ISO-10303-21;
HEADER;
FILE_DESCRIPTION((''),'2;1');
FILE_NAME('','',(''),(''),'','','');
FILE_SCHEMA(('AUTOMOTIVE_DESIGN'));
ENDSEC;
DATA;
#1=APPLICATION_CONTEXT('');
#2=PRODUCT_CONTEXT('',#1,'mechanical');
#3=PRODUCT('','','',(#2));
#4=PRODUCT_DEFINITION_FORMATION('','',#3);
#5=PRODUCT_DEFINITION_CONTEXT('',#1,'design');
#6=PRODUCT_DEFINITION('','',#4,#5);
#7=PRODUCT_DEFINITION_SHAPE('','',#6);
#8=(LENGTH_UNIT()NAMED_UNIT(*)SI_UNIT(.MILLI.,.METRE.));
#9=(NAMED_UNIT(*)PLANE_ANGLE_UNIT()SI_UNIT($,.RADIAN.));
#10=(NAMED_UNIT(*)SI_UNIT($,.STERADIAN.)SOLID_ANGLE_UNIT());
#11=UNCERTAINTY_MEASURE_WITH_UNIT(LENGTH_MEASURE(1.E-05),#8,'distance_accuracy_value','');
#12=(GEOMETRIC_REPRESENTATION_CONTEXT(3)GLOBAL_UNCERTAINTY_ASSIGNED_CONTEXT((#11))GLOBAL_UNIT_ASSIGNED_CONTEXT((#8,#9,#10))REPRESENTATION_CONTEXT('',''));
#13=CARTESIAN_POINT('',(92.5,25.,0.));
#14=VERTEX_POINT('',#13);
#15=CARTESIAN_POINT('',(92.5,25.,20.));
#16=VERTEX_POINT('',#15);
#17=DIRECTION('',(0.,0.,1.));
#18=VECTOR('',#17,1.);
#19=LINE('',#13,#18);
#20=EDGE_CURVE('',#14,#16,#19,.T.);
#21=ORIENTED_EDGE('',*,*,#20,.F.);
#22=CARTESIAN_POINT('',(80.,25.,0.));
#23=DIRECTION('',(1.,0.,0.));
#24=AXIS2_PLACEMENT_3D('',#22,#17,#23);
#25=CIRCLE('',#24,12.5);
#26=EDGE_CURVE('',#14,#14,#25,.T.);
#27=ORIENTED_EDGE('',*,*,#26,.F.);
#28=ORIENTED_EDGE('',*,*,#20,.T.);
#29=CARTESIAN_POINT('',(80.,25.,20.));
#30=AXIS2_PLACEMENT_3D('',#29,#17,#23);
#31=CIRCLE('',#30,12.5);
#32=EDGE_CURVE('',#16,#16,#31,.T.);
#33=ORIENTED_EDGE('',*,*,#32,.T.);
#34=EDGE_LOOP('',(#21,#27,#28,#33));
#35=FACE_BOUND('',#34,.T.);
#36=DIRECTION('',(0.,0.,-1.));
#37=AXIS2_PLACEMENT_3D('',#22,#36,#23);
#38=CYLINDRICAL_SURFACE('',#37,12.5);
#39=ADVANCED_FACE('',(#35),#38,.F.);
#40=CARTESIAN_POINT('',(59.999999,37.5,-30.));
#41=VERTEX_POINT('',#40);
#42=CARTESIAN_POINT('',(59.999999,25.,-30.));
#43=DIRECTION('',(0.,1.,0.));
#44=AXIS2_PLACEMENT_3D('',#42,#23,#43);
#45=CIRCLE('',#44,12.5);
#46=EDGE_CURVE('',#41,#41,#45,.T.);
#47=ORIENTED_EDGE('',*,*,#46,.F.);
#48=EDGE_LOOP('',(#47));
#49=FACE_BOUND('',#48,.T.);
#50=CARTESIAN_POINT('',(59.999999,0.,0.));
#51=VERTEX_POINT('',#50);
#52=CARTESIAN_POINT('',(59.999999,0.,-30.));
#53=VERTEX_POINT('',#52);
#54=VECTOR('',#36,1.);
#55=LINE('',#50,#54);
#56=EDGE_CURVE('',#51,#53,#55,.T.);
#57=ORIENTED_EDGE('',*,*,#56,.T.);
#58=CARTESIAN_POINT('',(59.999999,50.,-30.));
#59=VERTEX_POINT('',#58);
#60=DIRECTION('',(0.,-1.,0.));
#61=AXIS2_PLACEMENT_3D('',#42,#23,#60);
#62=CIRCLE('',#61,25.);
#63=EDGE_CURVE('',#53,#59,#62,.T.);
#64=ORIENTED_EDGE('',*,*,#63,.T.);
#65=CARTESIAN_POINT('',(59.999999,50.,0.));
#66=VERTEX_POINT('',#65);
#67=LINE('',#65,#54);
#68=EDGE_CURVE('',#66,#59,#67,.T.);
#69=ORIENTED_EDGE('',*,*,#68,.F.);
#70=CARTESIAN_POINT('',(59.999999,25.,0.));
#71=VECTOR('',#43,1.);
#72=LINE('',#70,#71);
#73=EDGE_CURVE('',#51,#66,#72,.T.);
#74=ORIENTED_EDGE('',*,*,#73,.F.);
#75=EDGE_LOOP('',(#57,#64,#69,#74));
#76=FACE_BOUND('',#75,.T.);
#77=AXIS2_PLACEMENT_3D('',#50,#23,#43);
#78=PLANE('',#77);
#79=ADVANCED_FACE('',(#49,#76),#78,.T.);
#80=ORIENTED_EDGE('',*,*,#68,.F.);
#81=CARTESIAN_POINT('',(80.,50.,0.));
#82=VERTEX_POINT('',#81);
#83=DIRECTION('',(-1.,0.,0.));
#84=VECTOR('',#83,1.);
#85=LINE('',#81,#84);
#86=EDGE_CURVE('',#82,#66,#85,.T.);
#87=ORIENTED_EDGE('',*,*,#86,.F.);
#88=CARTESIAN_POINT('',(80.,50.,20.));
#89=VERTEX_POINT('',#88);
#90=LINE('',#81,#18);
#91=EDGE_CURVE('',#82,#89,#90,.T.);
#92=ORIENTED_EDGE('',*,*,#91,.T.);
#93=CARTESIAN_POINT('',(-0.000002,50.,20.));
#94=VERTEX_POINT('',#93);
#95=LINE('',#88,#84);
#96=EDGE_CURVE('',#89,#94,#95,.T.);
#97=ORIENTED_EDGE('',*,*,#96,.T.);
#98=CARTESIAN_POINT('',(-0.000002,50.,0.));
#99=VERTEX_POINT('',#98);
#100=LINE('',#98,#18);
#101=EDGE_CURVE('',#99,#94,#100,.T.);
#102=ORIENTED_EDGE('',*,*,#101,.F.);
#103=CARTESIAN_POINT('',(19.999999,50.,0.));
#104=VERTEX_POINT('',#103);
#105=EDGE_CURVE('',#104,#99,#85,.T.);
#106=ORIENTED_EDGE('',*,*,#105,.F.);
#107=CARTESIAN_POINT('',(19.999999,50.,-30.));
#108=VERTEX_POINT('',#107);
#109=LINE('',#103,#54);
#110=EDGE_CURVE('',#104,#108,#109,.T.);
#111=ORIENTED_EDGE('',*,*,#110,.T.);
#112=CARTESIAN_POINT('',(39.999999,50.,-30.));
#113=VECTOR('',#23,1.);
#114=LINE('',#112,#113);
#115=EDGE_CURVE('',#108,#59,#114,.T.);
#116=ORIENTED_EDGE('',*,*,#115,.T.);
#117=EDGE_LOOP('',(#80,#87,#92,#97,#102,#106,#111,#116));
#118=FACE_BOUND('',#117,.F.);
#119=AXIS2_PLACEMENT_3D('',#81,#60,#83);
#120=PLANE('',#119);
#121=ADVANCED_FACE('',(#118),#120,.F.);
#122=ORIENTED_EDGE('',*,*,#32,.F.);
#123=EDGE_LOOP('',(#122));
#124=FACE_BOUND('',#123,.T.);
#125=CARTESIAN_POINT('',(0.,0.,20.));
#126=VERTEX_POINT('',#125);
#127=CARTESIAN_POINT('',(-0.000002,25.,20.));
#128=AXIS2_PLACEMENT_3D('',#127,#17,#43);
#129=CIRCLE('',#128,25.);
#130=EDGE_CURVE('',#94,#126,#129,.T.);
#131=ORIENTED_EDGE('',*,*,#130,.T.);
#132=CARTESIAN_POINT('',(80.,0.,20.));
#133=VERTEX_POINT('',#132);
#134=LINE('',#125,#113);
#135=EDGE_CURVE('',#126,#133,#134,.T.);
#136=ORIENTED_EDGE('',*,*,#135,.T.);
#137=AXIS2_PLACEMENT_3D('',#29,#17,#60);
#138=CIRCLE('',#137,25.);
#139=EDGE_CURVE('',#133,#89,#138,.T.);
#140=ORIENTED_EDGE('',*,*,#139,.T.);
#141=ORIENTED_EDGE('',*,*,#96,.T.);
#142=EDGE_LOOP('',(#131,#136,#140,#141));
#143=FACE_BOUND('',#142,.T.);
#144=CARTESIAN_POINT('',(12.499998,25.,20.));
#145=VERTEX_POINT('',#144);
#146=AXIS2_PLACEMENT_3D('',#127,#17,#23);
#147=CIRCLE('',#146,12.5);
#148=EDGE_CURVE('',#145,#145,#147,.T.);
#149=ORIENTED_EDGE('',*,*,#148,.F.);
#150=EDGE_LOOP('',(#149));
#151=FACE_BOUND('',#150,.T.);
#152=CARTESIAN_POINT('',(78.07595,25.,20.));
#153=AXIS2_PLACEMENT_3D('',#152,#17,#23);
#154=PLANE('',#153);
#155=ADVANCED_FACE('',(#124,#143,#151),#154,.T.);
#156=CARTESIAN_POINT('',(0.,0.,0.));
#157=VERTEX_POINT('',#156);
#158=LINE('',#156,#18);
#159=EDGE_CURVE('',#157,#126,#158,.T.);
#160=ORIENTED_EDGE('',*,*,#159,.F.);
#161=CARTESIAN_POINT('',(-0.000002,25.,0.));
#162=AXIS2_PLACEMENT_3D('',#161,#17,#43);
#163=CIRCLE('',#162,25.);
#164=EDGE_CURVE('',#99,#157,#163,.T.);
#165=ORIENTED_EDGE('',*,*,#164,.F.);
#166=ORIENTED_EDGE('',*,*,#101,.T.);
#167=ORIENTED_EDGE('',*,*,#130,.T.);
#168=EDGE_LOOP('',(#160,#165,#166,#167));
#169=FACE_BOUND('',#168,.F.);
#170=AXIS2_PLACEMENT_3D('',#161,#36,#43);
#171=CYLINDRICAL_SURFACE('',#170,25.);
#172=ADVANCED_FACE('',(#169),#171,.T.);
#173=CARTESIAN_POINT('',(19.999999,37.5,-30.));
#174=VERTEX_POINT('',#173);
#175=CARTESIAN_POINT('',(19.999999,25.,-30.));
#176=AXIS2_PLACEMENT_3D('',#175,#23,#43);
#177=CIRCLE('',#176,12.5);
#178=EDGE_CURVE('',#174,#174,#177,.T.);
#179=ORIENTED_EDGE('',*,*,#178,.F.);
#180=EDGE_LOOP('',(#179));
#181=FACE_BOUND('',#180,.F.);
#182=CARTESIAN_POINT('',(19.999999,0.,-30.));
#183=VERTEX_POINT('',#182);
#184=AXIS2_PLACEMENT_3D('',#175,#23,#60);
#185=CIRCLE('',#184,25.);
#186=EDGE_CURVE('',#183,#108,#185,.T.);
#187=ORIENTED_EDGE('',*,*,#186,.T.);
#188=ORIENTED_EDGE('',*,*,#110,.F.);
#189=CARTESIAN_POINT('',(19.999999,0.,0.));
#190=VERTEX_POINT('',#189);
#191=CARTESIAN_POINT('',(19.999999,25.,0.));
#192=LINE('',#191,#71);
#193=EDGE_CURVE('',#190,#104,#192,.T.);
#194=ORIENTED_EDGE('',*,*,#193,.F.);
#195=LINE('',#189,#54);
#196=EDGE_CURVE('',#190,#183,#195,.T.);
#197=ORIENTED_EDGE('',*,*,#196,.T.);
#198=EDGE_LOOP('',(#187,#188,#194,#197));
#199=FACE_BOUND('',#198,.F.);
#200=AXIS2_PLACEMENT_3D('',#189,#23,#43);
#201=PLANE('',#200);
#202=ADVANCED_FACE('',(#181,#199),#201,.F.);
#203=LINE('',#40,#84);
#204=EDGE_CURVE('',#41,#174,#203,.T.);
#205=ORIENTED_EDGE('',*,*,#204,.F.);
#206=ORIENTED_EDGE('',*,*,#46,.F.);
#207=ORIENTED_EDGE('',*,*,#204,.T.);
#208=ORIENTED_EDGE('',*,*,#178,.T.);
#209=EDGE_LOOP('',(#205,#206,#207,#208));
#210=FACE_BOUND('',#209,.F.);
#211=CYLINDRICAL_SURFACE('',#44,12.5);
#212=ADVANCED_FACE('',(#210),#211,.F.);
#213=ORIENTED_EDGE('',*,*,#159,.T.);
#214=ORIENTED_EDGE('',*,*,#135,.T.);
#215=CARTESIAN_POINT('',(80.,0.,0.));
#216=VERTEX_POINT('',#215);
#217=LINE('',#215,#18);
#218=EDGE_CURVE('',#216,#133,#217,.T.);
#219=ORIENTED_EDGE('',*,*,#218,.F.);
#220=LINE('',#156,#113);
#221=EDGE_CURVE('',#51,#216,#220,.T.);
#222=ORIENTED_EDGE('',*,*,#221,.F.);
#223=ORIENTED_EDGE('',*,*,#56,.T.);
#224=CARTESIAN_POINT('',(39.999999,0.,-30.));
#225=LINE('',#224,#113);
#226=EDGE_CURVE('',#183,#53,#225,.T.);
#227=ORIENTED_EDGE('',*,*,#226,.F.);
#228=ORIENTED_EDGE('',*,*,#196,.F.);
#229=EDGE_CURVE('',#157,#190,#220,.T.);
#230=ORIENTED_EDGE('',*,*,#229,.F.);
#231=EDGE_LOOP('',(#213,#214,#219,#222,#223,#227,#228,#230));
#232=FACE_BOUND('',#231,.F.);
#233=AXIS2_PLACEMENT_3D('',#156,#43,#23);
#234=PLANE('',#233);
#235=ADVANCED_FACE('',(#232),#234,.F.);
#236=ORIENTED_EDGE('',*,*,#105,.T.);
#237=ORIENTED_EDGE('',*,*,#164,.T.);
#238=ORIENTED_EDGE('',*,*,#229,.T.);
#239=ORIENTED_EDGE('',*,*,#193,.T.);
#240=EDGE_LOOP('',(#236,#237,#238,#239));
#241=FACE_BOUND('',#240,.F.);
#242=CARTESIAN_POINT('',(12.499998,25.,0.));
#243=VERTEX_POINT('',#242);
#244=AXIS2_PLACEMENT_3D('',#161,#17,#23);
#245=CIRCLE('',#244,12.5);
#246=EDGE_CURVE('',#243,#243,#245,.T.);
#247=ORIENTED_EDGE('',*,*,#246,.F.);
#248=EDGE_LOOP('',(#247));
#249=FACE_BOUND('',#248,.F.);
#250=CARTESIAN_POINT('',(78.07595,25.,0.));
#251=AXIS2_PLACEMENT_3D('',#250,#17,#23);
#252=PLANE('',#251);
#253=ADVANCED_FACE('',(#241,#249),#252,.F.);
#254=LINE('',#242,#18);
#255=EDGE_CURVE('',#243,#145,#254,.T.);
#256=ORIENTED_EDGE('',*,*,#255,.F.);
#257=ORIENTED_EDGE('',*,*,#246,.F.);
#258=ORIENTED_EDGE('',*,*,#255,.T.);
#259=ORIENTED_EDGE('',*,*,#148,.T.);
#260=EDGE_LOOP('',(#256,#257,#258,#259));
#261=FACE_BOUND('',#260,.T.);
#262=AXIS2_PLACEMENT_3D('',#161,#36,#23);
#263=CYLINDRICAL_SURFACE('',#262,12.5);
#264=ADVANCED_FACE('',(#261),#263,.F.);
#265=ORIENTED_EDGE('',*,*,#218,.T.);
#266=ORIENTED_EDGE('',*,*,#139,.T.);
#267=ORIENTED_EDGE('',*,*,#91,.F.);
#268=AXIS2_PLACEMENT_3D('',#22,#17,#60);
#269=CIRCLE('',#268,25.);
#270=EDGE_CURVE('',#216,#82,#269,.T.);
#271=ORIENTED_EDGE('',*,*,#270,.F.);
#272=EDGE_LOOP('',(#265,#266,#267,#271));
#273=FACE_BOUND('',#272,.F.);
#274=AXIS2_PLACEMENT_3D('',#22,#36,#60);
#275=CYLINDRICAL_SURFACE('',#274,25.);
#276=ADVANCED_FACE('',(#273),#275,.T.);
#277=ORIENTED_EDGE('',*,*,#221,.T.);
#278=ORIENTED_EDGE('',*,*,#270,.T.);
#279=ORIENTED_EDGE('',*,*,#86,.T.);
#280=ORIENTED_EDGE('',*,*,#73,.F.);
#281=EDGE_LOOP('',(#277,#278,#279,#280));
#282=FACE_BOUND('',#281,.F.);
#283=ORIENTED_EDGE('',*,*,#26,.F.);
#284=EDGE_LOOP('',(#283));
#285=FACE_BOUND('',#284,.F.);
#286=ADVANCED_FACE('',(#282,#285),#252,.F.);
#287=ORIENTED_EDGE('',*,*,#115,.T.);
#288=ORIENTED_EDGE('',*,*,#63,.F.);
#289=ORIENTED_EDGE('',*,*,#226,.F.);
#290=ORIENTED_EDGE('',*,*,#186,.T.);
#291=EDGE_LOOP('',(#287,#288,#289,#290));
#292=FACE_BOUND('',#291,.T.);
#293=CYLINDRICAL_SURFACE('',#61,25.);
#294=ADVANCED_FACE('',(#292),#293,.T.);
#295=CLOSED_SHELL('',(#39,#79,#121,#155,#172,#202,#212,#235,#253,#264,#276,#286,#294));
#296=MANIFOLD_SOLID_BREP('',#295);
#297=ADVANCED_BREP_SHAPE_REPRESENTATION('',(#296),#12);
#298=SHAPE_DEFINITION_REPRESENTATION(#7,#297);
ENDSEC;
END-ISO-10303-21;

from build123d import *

# Parameters (mm, degrees)
F0_R     = 12.5
F0_W     = 40
F0_H     = 50
F1_DEPTH = 20
F2_DEPTH = 30
F3_R     = 12.5
F4_DEPTH = 40
F5_DEPTH = 85.001001


with BuildPart() as f1:
    # F0 (on Top) → F1 (new body)
    with BuildSketch(Plane.XY):
        with BuildLine():
            Line((59.999999, 50), (59.999999, 0))
            Line((59.999999, 0), (80, 0))
            ThreePointArc((80, 0), (105, 25), (80, 50))
            Line((80, 50), (59.999999, 50))
        make_face()
        with Locations((80, 25)):
            Circle(F0_R, mode=Mode.SUBTRACT)
        with BuildLine():
            ThreePointArc((-2e-06, 50), (-25.000002, 24.999999), (0, 0))
            Line((0, 0), (19.999999, 0))
            Line((19.999999, 0), (19.999999, 50))
            Line((19.999999, 50), (-2e-06, 50))
        make_face()
        with Locations((-2e-06, 25)):
            Circle(F0_R, mode=Mode.SUBTRACT)
        with Locations((39.999999, 25)):
            Rectangle(F0_W, F0_H)
    extrude(amount=F1_DEPTH)

    # F0 (on Top) → F2 (join)
    with BuildSketch(Plane.XY):
        with Locations((39.999999, 25)):
            Rectangle(F0_W, F0_H)
    extrude(amount=-F2_DEPTH)

    # F3 (on face) → F4 (join)
    with BuildSketch(Plane.YZ.offset(59.999999)):
        with Locations((25, -30)):
            Circle(F3_R)
        with BuildLine():
            Line((12.5, -30), (0, -30))
            ThreePointArc((0, -30), (25, -55), (50, -30))
            Line((50, -30), (37.5, -30))
            ThreePointArc((37.5, -30), (25, -42.5), (12.5, -30))
        make_face()
    extrude(amount=-F4_DEPTH)

    # F3 (on face) → F5 (cut, through all)
    with BuildSketch(Plane.YZ.offset(59.999999)):
        with Locations((25, -30)):
            Circle(F3_R)
    extrude(amount=-F5_DEPTH, mode=Mode.SUBTRACT)


solid = f1.part
